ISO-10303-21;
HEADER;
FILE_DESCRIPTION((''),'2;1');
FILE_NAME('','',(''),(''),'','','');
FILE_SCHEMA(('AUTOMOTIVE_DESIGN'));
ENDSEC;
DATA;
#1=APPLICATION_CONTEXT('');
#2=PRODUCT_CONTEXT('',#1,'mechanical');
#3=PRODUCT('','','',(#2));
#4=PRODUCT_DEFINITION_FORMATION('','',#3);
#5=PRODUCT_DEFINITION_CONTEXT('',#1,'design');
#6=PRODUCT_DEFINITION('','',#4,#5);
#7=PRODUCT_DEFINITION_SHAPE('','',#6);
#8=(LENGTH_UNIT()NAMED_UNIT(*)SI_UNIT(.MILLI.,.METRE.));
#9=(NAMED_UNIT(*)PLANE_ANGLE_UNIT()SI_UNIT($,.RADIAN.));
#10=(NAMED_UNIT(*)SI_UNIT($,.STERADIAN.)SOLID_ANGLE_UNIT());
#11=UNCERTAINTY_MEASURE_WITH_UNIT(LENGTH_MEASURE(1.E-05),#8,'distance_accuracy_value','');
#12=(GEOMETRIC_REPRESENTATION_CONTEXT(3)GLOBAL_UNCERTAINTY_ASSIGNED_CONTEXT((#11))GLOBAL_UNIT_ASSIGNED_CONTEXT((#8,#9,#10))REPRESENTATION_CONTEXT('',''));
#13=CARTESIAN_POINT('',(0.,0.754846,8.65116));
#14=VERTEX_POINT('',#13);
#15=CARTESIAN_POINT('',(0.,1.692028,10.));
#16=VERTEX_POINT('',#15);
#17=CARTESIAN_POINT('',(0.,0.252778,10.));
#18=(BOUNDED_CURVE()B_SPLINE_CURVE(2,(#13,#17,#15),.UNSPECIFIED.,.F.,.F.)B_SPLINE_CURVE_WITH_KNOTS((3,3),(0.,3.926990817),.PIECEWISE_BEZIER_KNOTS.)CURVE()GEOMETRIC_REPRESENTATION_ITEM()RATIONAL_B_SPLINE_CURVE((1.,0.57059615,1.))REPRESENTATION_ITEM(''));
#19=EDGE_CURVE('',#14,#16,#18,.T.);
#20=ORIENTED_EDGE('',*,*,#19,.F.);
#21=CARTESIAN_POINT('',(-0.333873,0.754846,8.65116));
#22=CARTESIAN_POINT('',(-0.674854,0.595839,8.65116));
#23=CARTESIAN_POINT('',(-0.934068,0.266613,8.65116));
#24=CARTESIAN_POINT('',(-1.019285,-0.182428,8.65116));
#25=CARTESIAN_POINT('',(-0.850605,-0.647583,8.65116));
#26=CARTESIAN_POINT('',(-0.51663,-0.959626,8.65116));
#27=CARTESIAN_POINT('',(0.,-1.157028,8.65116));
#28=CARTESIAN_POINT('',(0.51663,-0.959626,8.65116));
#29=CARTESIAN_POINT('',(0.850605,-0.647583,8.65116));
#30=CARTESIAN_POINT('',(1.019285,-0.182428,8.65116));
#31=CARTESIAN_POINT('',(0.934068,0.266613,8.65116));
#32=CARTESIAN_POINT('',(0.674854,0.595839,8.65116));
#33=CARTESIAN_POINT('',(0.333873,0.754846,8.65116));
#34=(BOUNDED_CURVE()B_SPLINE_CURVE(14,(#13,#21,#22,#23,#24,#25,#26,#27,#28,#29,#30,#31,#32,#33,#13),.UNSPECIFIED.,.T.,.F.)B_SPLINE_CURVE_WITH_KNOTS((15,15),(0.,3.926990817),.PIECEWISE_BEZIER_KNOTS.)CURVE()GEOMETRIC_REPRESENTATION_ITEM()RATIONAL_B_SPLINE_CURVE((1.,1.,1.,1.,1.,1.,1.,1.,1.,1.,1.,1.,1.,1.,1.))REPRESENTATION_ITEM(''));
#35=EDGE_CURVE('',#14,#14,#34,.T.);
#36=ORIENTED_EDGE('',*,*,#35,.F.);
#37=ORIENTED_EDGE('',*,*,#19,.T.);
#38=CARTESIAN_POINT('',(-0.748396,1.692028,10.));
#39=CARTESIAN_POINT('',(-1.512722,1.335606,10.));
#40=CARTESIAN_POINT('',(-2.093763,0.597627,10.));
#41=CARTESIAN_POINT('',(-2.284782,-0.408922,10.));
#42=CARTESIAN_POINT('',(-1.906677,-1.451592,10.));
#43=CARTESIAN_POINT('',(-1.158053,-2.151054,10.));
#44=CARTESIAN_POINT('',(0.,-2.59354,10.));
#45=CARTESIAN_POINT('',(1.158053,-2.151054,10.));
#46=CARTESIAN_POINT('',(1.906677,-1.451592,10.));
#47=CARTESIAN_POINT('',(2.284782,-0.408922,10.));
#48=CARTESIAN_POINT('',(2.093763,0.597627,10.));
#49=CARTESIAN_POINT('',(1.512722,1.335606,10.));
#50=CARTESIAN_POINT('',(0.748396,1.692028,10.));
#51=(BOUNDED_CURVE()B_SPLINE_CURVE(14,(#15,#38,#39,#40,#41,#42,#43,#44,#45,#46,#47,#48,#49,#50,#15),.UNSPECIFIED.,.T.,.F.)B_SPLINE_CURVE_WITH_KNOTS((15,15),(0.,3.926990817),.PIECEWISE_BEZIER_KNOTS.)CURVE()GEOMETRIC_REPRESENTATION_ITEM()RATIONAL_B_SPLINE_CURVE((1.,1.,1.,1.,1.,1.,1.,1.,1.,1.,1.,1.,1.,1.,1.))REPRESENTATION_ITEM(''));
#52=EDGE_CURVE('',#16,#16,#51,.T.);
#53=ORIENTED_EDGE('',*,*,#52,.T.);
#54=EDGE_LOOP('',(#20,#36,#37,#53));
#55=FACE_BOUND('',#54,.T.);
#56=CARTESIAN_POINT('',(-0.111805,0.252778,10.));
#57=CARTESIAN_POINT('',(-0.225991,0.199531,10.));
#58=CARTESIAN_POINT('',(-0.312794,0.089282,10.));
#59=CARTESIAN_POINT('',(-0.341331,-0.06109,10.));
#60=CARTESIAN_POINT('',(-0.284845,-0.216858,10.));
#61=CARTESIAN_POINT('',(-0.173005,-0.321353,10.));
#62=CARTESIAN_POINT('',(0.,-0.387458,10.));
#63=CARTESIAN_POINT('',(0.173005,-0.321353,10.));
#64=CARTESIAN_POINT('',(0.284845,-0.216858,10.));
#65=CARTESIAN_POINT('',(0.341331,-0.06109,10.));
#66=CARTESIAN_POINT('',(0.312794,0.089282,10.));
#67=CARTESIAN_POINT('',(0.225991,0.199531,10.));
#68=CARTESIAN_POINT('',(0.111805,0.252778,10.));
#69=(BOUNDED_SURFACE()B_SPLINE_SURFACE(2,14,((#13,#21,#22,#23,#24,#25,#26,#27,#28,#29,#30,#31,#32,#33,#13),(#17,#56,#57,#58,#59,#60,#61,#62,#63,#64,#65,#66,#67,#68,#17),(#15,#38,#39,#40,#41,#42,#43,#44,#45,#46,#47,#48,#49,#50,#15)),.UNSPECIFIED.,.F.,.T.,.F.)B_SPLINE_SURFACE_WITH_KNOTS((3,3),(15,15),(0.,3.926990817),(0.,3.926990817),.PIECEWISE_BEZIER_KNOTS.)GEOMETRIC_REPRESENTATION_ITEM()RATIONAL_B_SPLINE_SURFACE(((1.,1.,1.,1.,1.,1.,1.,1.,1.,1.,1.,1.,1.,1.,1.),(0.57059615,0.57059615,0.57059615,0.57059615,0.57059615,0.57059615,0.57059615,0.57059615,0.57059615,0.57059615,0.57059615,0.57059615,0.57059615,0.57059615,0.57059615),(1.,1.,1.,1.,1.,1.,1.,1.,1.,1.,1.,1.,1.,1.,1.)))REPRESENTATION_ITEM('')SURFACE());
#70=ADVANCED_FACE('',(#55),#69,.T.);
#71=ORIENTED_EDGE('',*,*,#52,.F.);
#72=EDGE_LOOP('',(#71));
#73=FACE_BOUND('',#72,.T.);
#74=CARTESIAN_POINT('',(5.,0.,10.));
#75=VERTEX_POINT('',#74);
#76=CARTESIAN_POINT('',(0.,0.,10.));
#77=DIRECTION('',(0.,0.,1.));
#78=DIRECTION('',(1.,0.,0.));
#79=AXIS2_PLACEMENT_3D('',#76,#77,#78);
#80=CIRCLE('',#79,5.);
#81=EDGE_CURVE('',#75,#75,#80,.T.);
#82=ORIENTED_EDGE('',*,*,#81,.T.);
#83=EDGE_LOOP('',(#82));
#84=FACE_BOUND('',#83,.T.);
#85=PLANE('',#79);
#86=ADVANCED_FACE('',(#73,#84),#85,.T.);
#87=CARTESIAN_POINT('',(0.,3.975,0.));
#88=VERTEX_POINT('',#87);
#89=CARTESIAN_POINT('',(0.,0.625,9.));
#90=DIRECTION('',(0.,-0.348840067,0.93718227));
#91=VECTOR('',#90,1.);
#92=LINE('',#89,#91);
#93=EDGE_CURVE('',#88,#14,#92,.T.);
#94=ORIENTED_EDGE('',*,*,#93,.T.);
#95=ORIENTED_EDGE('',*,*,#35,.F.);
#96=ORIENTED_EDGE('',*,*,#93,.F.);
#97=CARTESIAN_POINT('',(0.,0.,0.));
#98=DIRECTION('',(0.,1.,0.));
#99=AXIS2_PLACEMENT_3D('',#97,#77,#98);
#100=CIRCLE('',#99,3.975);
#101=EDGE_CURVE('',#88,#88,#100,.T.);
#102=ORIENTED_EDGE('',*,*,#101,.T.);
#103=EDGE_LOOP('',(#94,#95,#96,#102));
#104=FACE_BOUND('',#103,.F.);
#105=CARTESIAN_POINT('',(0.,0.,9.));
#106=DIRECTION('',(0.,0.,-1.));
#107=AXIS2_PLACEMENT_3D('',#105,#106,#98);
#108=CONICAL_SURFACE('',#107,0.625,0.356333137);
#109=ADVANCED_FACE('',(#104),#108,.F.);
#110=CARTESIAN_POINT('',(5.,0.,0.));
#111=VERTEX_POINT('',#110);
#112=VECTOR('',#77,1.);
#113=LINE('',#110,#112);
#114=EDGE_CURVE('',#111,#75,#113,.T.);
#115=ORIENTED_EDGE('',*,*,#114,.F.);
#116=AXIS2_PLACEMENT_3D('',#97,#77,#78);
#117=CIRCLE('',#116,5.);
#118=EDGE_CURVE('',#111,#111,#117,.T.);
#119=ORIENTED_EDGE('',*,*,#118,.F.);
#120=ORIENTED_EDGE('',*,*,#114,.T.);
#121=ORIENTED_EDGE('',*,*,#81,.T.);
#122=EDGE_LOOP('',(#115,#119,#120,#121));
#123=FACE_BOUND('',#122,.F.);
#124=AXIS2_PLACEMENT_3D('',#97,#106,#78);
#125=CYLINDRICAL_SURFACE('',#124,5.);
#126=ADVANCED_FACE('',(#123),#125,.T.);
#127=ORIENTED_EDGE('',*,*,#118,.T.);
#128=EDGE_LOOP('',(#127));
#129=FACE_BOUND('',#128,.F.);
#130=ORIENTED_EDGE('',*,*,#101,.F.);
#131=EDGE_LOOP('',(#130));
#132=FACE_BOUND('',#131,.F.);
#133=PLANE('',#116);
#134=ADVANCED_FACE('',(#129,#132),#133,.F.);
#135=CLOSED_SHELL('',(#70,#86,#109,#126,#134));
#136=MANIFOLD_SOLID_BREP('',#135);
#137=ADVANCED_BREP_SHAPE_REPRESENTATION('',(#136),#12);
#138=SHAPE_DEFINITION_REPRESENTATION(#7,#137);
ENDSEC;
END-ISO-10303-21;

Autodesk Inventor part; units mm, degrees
ref_plane "YZ Plane" through (0, 0, 0) normal (1, 0, 0) x (0, 1, 0)
ref_plane "XZ Plane" through (0, 0, 0) normal (0, 1, 0) x (-1, 0, 0)
ref_plane "XY Plane" through (0, 0, 0) normal (0, 0, 1) x (1, 0, 0)
sketch "Sketch1" plane through (0, 0, 0) normal (0, 0, 1) x (1, 0, 0)
  circle A0 centre (0, 0) radius 5
  dimension "d0" = 10
extrude "Extrusion1" add sketch "Sketch1" along normal blind 10
sketch "Sketch2" plane through (0, 0, 0) normal (0, 0, -1) x (-1, 0, 0)
  point P0 (0, 0)
hole "Hole1" at (0, 0, 0) direction (0, 0, 1) diameter 1.25 end through all
chamfer "Chamfer1" distance 3.35 distance2 9 1 edges at (0, -0.625, 0) measured on face at (3.4917, -0.424, 0)
fillet "Fillet2" radius 1 2 edges at (0, -0.625, 10) (0, -0.625, 9)
properties part number "CableGuideInsert"
